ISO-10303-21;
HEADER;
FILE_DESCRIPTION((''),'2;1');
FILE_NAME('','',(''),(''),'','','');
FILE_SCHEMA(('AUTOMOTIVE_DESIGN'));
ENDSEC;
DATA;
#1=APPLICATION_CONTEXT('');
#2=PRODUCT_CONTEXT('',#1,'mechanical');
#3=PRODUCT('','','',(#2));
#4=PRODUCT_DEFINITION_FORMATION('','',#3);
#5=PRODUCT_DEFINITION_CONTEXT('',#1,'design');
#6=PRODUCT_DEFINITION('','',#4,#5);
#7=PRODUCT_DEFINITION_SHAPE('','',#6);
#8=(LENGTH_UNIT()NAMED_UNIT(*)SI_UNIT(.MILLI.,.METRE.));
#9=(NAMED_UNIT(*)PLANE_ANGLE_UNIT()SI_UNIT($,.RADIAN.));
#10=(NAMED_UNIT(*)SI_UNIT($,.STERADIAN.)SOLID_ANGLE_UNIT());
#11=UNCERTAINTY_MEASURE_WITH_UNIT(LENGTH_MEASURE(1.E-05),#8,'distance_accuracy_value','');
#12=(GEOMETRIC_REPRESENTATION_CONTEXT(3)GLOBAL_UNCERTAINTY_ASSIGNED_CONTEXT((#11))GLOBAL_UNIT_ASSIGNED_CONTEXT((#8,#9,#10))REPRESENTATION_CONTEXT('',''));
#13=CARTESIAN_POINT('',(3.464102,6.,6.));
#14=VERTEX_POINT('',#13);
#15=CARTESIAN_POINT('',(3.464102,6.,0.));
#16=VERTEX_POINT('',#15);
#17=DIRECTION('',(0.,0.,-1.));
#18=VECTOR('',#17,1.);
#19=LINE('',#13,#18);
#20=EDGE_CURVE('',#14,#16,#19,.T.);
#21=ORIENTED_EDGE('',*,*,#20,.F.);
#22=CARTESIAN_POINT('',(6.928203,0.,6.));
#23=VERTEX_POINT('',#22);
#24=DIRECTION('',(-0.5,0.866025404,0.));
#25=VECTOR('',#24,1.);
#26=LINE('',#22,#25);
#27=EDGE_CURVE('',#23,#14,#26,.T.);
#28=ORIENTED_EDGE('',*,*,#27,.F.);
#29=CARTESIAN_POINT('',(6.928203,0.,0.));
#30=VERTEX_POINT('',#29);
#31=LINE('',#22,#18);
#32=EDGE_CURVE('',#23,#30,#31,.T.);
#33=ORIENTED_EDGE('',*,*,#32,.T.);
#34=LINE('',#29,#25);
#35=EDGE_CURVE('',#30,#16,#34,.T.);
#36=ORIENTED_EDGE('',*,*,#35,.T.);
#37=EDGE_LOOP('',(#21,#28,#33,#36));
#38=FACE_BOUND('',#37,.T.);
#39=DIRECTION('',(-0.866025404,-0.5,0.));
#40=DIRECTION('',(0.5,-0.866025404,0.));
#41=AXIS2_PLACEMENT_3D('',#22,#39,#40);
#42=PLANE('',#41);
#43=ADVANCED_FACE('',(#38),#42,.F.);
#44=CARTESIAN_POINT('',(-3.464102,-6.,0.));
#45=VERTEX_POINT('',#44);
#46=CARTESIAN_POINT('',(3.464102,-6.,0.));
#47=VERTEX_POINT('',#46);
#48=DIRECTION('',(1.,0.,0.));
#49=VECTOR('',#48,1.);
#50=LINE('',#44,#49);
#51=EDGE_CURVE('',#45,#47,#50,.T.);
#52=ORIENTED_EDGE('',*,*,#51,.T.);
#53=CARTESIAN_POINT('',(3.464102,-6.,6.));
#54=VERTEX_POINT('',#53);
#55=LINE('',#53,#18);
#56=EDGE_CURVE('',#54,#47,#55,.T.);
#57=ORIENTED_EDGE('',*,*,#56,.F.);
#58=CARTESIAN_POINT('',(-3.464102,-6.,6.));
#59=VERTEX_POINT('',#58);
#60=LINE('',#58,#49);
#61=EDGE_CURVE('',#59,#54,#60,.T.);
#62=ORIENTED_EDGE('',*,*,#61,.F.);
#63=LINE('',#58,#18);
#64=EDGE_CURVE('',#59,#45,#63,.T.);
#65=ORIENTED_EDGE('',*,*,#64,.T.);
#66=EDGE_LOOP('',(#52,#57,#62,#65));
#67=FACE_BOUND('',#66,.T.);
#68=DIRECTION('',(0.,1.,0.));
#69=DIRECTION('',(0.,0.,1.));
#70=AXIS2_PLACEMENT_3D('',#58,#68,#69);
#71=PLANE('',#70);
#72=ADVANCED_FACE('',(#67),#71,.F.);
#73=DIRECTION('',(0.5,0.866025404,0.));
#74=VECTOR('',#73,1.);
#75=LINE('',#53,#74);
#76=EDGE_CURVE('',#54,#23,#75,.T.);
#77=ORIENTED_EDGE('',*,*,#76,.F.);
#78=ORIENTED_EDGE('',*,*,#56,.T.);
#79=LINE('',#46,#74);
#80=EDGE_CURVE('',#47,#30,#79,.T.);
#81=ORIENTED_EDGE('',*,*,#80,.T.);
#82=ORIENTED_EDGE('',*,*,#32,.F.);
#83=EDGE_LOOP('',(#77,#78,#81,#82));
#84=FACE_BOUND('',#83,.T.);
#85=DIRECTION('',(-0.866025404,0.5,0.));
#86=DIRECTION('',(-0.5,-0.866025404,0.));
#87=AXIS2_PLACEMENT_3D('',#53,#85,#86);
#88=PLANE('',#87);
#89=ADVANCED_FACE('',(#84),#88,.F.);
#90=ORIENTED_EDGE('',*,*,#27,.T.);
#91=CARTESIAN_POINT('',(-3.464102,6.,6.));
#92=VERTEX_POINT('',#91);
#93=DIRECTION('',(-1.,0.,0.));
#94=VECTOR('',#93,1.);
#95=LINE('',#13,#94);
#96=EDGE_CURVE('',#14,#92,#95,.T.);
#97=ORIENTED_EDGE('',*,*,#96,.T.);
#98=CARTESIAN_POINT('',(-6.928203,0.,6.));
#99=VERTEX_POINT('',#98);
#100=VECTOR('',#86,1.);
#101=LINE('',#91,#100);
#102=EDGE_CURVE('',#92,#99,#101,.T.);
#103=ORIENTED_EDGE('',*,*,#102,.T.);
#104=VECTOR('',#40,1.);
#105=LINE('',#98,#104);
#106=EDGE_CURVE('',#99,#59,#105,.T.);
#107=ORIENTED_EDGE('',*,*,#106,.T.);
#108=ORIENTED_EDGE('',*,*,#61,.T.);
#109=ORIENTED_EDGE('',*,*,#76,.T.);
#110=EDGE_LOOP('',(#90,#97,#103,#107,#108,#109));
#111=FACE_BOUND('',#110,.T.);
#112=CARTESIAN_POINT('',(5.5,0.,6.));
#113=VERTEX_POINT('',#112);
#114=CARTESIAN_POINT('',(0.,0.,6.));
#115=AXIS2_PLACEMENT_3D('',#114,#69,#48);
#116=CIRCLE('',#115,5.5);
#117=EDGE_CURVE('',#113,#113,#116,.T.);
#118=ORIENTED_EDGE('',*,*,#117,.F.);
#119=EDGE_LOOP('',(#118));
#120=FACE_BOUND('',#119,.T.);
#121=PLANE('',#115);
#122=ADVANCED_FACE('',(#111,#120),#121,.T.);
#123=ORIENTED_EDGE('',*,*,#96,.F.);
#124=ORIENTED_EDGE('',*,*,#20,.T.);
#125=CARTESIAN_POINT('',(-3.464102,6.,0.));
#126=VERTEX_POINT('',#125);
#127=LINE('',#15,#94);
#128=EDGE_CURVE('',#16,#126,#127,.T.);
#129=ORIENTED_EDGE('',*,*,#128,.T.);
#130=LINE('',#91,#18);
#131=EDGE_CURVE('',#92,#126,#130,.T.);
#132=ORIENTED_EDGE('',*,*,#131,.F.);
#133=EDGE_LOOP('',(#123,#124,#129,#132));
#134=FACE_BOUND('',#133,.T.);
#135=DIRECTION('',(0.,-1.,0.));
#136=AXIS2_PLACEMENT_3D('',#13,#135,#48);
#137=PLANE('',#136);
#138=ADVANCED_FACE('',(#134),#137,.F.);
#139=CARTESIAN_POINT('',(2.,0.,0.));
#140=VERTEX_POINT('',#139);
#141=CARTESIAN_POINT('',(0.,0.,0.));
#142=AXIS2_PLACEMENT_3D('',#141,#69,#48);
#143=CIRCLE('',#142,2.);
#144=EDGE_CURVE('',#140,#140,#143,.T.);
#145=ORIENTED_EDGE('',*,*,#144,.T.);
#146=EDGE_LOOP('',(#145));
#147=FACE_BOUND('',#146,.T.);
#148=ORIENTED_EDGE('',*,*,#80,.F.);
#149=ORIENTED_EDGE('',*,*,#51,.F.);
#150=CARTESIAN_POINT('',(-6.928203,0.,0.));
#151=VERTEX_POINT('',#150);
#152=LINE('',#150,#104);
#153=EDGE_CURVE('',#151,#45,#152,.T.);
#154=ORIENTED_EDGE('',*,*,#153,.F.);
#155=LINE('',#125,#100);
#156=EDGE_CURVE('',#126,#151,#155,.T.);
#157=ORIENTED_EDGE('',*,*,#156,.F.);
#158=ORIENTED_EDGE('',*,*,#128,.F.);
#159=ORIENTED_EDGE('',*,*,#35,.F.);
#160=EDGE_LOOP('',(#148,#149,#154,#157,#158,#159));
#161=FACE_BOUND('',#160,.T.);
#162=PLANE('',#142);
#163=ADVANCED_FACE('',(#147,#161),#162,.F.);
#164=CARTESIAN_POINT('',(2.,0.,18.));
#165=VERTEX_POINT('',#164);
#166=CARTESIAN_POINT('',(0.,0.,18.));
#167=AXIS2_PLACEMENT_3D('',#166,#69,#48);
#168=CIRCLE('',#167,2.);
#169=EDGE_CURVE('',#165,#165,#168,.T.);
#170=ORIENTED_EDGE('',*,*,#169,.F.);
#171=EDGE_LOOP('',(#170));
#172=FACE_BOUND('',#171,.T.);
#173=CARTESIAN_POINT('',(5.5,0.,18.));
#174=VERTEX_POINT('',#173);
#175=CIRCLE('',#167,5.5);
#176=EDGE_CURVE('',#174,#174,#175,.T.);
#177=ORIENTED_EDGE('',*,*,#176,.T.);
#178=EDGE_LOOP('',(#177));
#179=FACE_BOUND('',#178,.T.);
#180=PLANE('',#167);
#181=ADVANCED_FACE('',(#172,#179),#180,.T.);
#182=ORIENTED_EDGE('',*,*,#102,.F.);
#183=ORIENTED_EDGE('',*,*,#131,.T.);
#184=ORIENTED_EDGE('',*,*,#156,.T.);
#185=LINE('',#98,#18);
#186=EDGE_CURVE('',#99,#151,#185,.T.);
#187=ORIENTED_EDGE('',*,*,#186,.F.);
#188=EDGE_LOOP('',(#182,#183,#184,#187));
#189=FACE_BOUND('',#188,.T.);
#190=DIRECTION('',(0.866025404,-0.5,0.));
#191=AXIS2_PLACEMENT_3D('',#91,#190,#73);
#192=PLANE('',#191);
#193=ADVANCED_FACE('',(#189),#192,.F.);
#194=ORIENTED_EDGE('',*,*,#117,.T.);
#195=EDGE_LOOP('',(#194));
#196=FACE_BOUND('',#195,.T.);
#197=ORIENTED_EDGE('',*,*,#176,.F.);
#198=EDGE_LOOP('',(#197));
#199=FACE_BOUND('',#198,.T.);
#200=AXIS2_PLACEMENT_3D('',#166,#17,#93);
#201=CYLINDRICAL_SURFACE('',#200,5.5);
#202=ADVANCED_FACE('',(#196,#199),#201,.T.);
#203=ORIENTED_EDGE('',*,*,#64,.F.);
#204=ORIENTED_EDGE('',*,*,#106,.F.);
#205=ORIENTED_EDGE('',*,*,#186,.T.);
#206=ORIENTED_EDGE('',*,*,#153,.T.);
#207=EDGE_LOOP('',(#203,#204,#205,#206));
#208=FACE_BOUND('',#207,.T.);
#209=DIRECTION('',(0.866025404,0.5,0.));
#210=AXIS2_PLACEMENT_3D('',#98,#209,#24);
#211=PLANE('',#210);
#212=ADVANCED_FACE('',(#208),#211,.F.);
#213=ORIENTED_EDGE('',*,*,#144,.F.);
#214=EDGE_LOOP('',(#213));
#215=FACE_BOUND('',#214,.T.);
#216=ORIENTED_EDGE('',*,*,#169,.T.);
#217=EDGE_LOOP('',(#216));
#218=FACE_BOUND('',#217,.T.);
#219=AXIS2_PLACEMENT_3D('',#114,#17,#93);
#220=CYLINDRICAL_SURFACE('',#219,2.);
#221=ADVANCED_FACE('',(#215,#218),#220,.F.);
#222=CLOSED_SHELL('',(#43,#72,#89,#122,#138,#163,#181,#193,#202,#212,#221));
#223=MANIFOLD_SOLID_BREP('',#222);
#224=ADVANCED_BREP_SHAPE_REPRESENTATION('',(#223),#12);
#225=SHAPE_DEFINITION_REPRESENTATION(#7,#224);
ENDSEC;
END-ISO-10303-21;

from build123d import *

# Parameters (mm, degrees)
SKETCH2_R           = 2
BOSS_EXTRUDE1_DEPTH = 6
SKETCH3_R           = 5.5
SKETCH3_R_2         = 2
BOSS_EXTRUDE2_DEPTH = 12


with BuildPart() as part:
    # Sketch2 → Boss-Extrude1 (new body)
    with BuildSketch(Plane.XY):
        Polygon((3.464101615, -6), (6.92820323, 0), (3.464101615, 6), (-3.464101615, 6), (-6.92820323, 0), (-3.464101615, -6), align=None)
        Circle(SKETCH2_R, mode=Mode.SUBTRACT)
    extrude(amount=BOSS_EXTRUDE1_DEPTH)

    # Sketch3 → Boss-Extrude2 (add)
    with BuildSketch(Plane.XY.offset(6)):
        Circle(SKETCH3_R)
        Circle(SKETCH3_R_2, mode=Mode.SUBTRACT)
    extrude(amount=BOSS_EXTRUDE2_DEPTH)


solid = part.part
